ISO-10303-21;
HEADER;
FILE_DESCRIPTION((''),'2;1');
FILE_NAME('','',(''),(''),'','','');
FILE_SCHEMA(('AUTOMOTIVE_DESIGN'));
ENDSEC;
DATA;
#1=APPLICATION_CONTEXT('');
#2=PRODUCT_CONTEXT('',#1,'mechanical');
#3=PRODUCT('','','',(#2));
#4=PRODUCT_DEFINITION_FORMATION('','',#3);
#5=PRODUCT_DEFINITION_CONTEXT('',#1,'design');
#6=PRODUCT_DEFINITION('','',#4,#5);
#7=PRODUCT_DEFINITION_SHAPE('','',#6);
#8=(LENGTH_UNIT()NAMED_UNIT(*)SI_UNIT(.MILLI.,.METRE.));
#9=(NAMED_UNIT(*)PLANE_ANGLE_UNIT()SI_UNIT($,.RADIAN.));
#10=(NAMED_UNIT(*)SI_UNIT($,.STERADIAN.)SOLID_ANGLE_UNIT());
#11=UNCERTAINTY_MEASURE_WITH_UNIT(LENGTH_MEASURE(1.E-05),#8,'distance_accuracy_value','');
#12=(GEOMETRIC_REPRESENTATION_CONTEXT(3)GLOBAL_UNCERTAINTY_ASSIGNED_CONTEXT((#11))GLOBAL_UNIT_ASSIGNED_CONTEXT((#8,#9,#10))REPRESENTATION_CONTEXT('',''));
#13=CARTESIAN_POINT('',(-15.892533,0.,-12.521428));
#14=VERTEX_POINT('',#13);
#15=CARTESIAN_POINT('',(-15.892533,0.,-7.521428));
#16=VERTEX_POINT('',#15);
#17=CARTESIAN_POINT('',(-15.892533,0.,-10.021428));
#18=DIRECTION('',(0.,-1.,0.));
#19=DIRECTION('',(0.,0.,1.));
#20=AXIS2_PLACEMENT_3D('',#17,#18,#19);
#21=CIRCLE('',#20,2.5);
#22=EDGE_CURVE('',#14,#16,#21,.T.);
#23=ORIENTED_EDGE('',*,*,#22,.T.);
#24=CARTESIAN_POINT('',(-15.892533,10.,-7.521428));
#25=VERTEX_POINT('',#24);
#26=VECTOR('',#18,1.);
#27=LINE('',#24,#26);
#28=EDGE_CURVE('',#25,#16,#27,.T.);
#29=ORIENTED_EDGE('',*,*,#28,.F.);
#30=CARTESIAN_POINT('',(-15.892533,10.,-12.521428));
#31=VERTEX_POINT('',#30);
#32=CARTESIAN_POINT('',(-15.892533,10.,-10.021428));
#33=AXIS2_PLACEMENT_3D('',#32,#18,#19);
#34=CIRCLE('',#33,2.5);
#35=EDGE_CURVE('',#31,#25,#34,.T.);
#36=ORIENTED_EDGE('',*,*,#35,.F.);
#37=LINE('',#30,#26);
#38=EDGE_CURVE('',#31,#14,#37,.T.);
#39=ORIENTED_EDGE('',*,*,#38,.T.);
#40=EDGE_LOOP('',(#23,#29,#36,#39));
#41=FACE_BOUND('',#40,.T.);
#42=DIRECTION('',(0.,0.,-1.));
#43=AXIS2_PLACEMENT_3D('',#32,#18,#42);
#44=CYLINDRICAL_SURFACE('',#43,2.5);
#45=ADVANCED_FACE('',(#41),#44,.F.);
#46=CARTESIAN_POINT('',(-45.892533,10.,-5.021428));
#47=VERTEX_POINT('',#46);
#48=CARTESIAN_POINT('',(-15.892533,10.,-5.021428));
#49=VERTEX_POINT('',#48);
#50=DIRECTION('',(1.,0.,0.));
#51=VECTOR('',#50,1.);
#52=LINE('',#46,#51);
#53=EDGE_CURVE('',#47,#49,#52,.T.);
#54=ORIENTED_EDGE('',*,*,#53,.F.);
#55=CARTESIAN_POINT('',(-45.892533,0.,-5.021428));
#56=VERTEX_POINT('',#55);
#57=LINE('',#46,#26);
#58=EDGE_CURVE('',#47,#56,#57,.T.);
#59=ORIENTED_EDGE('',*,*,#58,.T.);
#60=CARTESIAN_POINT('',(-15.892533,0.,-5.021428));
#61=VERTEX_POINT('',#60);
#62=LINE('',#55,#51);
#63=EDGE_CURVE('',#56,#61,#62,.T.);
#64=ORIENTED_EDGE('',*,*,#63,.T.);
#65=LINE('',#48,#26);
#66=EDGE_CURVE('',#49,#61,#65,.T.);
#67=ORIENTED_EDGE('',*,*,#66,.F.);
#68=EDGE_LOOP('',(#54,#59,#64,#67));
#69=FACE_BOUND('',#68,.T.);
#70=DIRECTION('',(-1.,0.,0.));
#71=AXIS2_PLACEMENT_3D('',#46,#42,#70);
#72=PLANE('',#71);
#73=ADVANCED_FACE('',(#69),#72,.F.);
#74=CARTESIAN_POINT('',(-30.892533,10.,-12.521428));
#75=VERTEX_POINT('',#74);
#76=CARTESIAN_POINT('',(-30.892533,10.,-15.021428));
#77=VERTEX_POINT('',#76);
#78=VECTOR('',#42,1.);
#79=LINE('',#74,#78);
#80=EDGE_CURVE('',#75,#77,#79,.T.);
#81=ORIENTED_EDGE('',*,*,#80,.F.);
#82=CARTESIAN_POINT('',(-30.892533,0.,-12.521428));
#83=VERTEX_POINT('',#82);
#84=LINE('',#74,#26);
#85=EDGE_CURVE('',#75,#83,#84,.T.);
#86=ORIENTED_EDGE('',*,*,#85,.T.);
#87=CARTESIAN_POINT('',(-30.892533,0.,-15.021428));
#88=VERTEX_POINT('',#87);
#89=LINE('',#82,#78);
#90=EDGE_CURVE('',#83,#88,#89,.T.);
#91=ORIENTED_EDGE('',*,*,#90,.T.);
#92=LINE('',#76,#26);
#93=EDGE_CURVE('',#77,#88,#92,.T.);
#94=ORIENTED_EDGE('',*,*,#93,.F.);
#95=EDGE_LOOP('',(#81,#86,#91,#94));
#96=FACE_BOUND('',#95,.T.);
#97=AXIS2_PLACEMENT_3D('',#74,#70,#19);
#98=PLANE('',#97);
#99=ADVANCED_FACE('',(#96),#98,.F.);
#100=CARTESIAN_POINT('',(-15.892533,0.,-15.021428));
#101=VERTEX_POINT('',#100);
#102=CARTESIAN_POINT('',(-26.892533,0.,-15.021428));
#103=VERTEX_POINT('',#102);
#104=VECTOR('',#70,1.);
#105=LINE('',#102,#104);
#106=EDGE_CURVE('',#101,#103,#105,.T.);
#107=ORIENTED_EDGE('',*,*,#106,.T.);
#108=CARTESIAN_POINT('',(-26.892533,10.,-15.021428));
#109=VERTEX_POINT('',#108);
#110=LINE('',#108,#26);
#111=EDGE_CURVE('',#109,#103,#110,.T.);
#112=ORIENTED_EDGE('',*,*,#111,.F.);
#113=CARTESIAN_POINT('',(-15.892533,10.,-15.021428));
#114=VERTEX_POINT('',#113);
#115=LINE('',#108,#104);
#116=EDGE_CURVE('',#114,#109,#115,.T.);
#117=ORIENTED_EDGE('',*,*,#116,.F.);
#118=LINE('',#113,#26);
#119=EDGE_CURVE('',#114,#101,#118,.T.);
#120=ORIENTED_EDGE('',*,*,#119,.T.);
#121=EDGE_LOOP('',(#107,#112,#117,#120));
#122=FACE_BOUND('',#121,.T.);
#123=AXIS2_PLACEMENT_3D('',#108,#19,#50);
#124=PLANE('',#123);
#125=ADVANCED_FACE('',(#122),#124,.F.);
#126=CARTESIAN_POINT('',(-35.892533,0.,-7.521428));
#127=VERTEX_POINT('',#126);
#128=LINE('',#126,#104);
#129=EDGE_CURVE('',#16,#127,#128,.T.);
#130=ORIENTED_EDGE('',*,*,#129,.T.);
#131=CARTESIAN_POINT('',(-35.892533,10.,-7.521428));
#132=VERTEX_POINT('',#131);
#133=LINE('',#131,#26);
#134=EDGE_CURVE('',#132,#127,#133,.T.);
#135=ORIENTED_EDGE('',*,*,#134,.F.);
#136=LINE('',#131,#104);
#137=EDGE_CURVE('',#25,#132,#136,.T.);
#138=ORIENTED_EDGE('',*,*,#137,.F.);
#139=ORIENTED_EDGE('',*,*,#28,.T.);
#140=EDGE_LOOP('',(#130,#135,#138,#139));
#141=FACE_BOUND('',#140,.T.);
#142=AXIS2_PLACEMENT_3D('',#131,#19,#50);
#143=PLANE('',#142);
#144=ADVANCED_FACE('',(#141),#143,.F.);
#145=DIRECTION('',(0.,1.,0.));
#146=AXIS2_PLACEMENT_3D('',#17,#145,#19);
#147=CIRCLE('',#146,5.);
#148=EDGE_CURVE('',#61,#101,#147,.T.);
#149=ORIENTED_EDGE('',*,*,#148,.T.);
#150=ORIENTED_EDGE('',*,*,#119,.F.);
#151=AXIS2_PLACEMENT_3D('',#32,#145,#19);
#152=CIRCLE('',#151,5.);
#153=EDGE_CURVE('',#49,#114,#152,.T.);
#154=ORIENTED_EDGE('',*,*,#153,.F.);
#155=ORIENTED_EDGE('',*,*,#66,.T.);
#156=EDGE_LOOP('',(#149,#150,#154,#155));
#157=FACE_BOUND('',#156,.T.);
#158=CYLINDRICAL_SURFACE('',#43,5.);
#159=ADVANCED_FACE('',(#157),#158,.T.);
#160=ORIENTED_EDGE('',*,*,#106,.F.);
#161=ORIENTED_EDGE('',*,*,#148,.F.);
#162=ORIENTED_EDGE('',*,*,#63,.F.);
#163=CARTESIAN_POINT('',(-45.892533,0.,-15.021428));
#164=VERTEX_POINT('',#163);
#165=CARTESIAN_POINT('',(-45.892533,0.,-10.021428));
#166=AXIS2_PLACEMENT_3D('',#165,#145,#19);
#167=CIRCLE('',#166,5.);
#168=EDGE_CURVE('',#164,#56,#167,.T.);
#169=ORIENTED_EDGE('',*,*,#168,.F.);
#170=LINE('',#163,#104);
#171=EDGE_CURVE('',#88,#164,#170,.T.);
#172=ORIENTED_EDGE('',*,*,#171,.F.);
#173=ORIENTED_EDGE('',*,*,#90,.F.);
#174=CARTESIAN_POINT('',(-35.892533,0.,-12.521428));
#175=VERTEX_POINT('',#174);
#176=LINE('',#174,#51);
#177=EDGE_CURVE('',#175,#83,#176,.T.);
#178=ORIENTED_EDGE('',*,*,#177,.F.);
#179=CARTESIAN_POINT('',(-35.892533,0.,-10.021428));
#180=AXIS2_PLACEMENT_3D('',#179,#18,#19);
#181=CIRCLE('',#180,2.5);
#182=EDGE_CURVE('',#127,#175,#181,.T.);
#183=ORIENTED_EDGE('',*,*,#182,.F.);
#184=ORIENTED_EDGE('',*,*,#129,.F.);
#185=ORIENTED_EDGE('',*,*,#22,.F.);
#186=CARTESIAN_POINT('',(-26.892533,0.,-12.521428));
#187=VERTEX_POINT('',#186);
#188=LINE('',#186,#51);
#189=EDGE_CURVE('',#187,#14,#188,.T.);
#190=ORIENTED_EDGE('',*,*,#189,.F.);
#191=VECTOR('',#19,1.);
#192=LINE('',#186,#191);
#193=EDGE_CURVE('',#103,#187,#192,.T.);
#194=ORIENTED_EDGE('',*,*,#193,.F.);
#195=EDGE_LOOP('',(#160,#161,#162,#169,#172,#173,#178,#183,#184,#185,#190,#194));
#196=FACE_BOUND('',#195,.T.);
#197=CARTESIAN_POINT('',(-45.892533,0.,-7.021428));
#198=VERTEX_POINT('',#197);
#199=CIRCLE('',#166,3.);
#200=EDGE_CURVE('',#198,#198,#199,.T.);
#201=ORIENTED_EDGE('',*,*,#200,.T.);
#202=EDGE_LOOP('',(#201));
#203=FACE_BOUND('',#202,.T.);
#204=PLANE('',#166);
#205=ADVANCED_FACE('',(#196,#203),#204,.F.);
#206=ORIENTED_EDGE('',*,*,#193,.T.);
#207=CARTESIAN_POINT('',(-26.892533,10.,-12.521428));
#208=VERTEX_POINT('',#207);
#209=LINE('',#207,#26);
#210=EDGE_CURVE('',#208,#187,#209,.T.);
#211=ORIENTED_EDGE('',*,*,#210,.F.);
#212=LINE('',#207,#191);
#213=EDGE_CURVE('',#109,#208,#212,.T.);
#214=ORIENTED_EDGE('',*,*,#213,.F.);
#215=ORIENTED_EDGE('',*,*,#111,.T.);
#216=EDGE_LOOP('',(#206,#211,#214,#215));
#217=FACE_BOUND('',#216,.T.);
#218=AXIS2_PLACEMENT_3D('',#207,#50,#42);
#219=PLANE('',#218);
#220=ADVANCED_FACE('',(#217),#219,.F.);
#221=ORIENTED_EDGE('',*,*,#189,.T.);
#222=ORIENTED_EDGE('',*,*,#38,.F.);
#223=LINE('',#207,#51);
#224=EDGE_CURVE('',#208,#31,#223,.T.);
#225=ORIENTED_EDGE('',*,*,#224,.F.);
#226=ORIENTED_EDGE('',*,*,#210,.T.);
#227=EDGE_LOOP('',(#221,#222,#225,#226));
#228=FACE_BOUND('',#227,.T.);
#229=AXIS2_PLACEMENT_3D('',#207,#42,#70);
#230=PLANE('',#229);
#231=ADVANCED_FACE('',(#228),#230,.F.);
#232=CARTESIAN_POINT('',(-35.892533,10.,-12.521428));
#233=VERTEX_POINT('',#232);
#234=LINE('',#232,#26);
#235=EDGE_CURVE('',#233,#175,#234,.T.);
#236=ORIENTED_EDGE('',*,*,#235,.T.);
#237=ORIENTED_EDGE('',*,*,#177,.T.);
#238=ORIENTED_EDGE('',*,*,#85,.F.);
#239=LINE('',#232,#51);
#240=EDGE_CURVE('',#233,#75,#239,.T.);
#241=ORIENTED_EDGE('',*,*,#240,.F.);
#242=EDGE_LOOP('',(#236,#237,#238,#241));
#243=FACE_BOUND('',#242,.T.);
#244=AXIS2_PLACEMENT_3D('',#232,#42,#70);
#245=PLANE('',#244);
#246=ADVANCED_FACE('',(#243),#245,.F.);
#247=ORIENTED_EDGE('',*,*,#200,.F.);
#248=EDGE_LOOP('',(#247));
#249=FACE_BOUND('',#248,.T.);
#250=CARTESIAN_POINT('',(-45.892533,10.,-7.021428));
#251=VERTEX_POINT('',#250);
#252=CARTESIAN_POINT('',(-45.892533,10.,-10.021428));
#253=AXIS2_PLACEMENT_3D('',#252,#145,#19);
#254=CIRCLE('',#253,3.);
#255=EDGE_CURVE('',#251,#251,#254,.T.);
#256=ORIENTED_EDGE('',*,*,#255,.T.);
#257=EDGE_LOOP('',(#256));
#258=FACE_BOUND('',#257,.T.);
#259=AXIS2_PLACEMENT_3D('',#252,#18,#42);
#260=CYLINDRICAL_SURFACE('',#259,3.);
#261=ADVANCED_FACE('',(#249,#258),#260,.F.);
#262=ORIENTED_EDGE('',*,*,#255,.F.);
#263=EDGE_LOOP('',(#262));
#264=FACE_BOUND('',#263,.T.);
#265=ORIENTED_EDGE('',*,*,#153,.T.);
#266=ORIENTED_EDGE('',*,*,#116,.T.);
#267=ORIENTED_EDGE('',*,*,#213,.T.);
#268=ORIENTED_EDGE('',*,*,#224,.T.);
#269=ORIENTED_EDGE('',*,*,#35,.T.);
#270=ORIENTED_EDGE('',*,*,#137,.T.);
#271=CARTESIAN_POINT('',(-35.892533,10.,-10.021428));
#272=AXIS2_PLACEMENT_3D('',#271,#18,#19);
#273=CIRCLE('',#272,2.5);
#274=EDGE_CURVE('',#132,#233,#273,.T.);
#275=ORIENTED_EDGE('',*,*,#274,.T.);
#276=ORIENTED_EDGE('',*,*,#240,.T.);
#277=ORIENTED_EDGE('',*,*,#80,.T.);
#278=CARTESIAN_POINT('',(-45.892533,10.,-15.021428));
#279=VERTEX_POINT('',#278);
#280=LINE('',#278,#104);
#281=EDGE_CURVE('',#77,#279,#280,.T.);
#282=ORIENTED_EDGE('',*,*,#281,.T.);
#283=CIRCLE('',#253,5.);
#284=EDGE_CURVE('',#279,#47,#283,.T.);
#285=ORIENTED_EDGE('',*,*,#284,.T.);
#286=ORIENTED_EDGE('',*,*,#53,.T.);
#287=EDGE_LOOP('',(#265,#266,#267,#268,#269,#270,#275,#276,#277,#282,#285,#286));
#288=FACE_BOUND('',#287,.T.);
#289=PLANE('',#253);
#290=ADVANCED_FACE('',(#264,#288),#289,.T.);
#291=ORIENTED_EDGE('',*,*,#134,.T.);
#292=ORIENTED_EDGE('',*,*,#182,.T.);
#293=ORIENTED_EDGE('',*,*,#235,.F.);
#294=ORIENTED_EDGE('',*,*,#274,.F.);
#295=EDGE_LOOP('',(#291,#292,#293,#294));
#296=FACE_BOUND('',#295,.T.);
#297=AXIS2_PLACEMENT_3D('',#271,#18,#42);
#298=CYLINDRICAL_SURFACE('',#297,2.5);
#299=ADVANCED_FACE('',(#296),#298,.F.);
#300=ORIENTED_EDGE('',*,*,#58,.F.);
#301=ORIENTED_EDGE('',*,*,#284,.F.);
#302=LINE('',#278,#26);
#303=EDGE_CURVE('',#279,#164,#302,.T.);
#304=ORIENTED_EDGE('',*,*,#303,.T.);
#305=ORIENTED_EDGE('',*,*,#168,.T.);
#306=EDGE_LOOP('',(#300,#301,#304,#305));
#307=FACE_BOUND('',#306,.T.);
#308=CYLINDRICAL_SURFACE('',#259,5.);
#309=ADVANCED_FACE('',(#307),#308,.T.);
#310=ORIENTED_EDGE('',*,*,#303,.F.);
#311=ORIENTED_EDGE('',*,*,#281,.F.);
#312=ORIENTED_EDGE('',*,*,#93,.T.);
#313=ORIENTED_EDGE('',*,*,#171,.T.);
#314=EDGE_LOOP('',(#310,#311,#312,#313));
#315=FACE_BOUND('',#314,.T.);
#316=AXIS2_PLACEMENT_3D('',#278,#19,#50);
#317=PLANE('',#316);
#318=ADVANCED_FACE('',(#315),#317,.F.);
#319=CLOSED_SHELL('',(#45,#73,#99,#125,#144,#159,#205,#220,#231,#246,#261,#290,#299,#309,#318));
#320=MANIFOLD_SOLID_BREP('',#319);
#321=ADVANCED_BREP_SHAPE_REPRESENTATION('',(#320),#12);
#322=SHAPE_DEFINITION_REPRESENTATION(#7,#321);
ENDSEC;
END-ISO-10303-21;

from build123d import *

# Parameters (mm, degrees)
SKETCH1_R           = 3
BOSS_EXTRUDE1_DEPTH = 10


with BuildPart() as part:
    # Sketch1 → Boss-Extrude1 (new body)
    with BuildSketch(Plane(origin=(0, 0, 0), x_dir=(1, 0, 0), z_dir=(0, 1, 0))):
        with BuildLine():
            Line((-45.892533193, 15.021428325), (-30.892533193, 15.021428325))
            Line((-30.892533193, 15.021428325), (-30.892533193, 12.521428325))
            Line((-30.892533193, 12.521428325), (-35.892533193, 12.521428325))
            ThreePointArc((-35.892533193, 12.521428325), (-38.392533193, 10.021428325), (-35.892533193, 7.521428325))
            Line((-35.892533193, 7.521428325), (-15.892533193, 7.521428325))
            ThreePointArc((-15.892533193, 7.521428325), (-13.392533193, 10.021428325), (-15.892533193, 12.521428325))
            Line((-15.892533193, 12.521428325), (-26.892533193, 12.521428325))
            Line((-26.892533193, 12.521428325), (-26.892533193, 15.021428325))
            Line((-26.892533193, 15.021428325), (-15.892533193, 15.021428325))
            ThreePointArc((-15.892533193, 15.021428325), (-10.892533193, 10.021428325), (-15.892533193, 5.021428325))
            Line((-15.892533193, 5.021428325), (-45.892533193, 5.021428325))
            ThreePointArc((-45.892533193, 5.021428325), (-50.892533193, 10.021428325), (-45.892533193, 15.021428325))
        make_face()
        with Locations(Location((-45.892533193, 10.021428325, 0), (0, 0, 270))):
            Circle(SKETCH1_R, mode=Mode.SUBTRACT)
    extrude(amount=BOSS_EXTRUDE1_DEPTH)


solid = part.part
